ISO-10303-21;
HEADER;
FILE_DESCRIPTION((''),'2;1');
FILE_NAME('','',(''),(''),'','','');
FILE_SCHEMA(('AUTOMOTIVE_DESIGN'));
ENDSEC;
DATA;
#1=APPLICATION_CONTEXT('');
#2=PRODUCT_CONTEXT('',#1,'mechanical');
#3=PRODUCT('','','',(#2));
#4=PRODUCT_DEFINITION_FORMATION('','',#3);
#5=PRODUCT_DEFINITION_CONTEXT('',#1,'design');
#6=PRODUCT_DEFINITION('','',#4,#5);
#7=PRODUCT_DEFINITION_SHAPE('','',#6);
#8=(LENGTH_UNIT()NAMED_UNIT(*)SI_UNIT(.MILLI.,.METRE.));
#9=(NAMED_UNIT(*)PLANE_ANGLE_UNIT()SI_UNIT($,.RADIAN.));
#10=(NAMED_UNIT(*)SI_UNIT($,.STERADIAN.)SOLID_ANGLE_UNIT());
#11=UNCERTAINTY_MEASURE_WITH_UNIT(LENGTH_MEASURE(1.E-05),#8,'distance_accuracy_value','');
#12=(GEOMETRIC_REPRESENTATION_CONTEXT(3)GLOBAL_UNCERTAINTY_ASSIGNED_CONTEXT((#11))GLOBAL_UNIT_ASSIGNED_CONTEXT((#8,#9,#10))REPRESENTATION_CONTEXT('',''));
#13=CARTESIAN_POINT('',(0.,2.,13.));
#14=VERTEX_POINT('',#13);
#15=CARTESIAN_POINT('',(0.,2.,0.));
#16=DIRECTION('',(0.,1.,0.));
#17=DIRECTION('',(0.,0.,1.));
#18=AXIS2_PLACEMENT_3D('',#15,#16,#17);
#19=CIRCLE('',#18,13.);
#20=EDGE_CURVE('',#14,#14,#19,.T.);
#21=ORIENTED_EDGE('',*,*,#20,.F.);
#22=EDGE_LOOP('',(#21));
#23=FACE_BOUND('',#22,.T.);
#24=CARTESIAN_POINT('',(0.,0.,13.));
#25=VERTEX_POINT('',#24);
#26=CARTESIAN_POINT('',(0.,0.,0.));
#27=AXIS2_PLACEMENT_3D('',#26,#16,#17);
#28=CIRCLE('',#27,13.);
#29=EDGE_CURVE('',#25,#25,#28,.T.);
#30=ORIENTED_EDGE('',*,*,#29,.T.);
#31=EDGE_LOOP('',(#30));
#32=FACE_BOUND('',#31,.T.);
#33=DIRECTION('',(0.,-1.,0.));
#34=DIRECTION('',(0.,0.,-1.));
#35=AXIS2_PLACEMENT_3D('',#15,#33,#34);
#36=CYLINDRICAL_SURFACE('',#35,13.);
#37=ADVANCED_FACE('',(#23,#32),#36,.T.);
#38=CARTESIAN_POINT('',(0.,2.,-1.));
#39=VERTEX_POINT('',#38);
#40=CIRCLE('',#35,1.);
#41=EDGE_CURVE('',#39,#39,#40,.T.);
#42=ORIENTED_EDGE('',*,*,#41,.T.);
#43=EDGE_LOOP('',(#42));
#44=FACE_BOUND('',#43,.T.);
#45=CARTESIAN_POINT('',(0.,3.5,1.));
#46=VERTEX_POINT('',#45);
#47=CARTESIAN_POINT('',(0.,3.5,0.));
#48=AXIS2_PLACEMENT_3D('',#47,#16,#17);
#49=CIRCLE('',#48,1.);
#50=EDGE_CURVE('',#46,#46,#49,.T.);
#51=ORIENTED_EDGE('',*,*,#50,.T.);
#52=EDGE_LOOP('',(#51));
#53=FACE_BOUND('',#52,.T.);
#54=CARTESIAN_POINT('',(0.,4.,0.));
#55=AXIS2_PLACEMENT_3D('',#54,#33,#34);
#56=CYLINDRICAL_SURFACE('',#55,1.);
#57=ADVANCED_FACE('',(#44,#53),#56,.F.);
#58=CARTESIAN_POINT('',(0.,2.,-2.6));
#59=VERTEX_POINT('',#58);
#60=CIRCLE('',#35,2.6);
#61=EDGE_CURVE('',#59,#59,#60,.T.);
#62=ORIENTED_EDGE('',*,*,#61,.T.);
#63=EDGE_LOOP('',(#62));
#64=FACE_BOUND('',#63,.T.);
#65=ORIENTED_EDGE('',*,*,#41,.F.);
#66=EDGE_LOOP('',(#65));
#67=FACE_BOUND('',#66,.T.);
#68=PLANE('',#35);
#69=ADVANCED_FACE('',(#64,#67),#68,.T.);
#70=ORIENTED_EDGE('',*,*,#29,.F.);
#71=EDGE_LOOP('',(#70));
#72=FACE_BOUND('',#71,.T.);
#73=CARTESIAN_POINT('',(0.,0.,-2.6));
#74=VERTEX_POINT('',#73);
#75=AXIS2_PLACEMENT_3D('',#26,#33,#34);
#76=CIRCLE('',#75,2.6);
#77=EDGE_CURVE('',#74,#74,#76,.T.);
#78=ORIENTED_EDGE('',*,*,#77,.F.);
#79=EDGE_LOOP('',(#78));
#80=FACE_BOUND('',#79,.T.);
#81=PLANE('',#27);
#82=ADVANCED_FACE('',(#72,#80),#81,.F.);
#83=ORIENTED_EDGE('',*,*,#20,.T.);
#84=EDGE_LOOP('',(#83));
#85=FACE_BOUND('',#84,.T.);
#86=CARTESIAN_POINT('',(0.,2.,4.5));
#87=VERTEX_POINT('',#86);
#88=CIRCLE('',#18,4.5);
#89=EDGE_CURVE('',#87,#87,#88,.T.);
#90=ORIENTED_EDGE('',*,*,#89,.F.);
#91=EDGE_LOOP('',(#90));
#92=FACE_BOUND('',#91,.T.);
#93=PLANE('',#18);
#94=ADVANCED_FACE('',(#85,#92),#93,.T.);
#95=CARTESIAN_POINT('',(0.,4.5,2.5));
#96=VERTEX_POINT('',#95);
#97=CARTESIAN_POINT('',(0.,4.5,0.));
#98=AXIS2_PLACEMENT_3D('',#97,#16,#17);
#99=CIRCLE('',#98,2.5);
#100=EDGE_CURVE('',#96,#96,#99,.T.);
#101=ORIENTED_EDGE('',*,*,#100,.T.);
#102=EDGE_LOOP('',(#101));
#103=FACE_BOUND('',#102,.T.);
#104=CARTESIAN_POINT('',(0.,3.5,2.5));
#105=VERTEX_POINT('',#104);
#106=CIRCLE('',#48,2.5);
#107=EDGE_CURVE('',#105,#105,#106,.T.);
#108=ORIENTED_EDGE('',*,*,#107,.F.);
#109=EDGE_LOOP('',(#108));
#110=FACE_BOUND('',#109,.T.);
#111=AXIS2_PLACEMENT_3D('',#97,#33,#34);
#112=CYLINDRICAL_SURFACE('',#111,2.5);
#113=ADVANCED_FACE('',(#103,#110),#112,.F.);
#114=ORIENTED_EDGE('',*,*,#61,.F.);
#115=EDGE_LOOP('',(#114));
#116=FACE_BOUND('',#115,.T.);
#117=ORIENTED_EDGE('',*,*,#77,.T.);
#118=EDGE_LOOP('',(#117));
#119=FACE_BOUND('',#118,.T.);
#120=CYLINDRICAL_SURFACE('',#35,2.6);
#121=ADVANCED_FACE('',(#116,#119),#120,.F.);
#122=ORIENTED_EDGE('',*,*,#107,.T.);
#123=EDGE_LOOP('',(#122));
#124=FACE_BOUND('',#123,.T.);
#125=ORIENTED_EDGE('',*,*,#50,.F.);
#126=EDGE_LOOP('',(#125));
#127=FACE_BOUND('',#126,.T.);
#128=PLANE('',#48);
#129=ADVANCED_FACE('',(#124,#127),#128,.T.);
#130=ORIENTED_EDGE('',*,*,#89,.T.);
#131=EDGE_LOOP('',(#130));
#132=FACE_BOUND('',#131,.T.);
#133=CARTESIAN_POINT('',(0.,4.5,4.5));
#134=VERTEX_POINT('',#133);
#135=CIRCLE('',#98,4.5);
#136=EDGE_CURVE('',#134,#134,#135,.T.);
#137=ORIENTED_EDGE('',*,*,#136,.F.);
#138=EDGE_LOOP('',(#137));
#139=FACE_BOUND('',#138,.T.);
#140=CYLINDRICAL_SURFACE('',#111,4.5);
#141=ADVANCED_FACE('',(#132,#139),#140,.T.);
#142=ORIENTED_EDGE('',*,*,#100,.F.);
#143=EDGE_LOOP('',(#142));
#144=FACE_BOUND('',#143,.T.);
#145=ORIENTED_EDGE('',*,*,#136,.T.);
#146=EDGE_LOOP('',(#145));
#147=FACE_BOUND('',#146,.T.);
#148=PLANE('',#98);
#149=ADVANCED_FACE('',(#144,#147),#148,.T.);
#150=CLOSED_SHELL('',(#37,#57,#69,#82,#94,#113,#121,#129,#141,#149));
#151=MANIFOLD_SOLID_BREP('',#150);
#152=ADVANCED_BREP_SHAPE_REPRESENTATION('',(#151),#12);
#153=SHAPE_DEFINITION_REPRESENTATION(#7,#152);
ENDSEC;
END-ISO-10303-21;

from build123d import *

# Parameters (mm, degrees)
SKETCH_2_R          = 13
EXTRUDE_1_DEPTH     = 2
SKETCH_3_R          = 4.5
SKETCH_3_R_2        = 2.5
EXTRUDE_2_DEPTH     = 2.5
SKETCH_4_R          = 2.5
EXTRUDE_3_DEPTH     = 1.5
SKETCH_5_R          = 2.6
CUT_EXTRUDE_1_DEPTH = 2
SKETCH_6_R          = 1
CUT_EXTRUDE_2_DEPTH = 2


with BuildPart() as part:
    # 草图2 → 凸台-拉伸1 (new body)
    with BuildSketch(Plane(origin=(0, 0, 0), x_dir=(1, 0, 0), z_dir=(0, 1, 0))):
        with Locations(Location((0, 0, 0), (0, 0, 270))):
            Circle(SKETCH_2_R)
    extrude(amount=EXTRUDE_1_DEPTH)

    # 草图3 → 凸台-拉伸2 (add)
    with BuildSketch(Plane(origin=(0, 2, 0), x_dir=(1, 0, 0), z_dir=(0, 1, 0))):
        with Locations(Location((0, 0, 0), (0, 0, 270))):
            Circle(SKETCH_3_R)
        with Locations(Location((0, 0, 0), (0, 0, 270))):
            Circle(SKETCH_3_R_2, mode=Mode.SUBTRACT)
    extrude(amount=EXTRUDE_2_DEPTH)

    # 草图4 → 凸台-拉伸3 (add)
    with BuildSketch(Plane(origin=(0, 2, 0), x_dir=(1, 0, 0), z_dir=(0, 1, 0))):
        with Locations(Location((0, 0, 0), (0, 0, 270))):
            Circle(SKETCH_4_R)
    extrude(amount=EXTRUDE_3_DEPTH)

    # 草图5 → 切除-拉伸1 (cut)
    with BuildSketch(Plane.XZ):
        with Locations(Location((0, 0, 0), (0, 0, 270))):
            Circle(SKETCH_5_R)
    extrude(amount=-CUT_EXTRUDE_1_DEPTH, mode=Mode.SUBTRACT)

    # 草图6 → 切除-拉伸2 (cut)
    with BuildSketch(Plane.XZ.offset(-2)):
        with Locations(Location((0, 0, 0), (0, 0, 270))):
            Circle(SKETCH_6_R)
    extrude(amount=-CUT_EXTRUDE_2_DEPTH, mode=Mode.SUBTRACT)


solid = part.part
